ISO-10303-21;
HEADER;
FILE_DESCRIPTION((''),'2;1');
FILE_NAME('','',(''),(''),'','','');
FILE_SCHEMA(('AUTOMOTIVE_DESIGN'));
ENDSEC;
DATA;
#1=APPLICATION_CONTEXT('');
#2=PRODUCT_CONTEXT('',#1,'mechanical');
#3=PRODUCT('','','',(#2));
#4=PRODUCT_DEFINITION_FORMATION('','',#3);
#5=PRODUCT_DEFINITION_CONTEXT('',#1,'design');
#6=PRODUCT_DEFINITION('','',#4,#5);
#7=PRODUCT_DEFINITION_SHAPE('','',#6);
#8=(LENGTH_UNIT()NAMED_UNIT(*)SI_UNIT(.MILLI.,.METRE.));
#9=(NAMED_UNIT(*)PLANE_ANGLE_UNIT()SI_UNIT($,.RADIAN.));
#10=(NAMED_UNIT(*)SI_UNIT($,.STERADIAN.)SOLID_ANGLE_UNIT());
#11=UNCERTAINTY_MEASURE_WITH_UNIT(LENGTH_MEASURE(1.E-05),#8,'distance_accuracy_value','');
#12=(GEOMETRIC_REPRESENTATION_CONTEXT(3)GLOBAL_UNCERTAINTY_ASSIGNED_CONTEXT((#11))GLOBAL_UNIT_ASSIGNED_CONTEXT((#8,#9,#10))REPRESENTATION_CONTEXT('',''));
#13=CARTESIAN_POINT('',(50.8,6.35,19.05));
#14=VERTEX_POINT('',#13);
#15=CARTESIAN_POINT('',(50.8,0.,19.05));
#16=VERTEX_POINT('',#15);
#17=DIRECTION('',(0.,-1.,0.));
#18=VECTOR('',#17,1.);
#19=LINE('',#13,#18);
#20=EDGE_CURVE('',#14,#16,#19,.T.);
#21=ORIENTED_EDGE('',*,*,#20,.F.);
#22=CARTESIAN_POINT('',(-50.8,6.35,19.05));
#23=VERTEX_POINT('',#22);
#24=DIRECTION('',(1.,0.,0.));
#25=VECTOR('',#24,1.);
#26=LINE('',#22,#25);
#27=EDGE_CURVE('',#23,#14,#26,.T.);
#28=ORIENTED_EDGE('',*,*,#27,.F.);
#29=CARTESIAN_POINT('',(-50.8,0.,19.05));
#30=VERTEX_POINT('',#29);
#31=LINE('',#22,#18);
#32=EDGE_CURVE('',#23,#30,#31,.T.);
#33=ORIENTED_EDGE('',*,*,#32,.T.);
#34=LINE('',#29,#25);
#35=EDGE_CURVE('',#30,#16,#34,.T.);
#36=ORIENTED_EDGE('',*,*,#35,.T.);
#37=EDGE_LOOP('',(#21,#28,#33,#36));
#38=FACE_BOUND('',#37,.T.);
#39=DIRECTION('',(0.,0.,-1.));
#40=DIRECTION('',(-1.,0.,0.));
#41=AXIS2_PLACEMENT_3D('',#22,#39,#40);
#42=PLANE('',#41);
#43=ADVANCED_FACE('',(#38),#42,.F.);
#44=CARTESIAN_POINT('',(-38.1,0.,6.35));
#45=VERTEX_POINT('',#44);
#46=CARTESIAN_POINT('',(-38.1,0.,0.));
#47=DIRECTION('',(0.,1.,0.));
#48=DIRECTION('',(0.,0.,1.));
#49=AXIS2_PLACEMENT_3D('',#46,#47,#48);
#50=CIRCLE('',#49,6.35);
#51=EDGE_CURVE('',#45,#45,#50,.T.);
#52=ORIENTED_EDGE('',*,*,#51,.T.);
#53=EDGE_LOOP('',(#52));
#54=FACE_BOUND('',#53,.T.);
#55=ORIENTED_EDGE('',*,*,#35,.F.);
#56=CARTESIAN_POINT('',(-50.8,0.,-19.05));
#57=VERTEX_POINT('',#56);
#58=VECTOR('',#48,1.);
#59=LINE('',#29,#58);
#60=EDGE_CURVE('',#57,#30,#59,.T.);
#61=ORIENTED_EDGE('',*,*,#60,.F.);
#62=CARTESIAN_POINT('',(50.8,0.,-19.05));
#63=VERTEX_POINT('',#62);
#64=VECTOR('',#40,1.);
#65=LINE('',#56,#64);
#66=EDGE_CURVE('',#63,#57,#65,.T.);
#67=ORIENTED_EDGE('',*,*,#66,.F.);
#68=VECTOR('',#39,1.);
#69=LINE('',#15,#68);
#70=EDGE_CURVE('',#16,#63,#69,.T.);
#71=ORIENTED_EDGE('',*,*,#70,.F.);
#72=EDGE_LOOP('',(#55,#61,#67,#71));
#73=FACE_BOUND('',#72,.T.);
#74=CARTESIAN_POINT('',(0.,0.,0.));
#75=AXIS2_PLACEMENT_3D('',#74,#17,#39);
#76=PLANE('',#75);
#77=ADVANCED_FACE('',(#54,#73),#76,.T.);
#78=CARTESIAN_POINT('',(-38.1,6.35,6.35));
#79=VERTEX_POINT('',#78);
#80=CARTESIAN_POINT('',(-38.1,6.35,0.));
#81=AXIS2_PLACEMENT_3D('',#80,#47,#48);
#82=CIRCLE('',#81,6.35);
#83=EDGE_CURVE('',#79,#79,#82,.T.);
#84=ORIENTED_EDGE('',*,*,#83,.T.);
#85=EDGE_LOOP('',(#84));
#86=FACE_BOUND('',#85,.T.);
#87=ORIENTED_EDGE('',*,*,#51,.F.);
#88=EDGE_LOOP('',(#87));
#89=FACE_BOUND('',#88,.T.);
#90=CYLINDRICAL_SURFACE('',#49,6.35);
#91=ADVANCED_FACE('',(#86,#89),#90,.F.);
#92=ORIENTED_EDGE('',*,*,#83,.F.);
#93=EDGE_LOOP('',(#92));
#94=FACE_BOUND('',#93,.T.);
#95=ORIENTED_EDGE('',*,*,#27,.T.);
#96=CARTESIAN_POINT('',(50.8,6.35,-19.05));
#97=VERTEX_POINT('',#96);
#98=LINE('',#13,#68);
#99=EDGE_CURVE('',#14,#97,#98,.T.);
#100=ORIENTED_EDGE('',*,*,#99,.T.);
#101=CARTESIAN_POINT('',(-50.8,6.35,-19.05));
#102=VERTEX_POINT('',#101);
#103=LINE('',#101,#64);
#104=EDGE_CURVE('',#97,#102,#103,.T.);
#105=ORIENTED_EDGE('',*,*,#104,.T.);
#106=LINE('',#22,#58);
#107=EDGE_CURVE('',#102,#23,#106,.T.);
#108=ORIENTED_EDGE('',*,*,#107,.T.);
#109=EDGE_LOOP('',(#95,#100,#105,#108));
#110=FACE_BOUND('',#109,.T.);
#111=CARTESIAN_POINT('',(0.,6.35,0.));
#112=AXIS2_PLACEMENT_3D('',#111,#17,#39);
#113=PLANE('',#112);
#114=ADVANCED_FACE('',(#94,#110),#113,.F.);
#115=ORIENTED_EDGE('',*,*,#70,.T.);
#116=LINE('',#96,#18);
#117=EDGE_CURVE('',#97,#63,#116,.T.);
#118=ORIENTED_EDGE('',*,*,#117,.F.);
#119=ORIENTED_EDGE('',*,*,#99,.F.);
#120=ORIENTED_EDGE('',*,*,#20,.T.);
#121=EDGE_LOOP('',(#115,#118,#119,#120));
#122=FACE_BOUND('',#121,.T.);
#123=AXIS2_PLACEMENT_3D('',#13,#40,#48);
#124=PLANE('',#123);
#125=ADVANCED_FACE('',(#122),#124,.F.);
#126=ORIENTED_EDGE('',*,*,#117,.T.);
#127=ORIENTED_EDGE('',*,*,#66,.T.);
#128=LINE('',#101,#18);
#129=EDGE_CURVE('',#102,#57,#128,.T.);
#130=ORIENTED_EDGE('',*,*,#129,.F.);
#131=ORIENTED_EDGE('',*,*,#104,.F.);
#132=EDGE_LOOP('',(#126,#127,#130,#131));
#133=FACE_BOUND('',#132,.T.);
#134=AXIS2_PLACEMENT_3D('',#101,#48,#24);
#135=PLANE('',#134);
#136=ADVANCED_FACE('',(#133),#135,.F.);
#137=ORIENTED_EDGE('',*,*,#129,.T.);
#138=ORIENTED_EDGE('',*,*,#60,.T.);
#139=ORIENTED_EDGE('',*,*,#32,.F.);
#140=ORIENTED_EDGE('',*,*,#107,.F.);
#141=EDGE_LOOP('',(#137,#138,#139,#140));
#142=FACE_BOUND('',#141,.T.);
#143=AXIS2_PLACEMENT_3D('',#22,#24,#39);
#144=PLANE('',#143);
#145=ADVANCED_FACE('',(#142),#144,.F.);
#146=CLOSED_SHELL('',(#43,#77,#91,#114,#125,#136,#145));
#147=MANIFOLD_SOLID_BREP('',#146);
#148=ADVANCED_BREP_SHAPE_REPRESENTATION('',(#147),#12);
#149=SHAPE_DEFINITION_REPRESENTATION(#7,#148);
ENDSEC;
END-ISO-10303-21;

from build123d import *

# Parameters (mm, degrees)
SKETCH1_W           = 101.6
SKETCH1_H           = 38.1
BOSS_EXTRUDE1_DEPTH = 6.35
SKETCH2_R           = 6.35
CUT_EXTRUDE1_DEPTH  = 55.624765446


with BuildPart() as part:
    # Sketch1 → Boss-Extrude1 (new body)
    with BuildSketch(Plane(origin=(0, 0, 0), x_dir=(1, 0, 0), z_dir=(0, 1, 0))):
        Rectangle(SKETCH1_W, SKETCH1_H)
    extrude(amount=BOSS_EXTRUDE1_DEPTH)

    # Sketch2 → Cut-Extrude1 (cut, through all)
    with BuildSketch(Plane(origin=(0, 6.35, 0), x_dir=(1, 0, 0), z_dir=(0, 1, 0))):
        with Locations(Location((-38.1, 0, 0), (0, 0, 270))):
            Circle(SKETCH2_R)
    extrude(amount=-CUT_EXTRUDE1_DEPTH, mode=Mode.SUBTRACT)


solid = part.part
